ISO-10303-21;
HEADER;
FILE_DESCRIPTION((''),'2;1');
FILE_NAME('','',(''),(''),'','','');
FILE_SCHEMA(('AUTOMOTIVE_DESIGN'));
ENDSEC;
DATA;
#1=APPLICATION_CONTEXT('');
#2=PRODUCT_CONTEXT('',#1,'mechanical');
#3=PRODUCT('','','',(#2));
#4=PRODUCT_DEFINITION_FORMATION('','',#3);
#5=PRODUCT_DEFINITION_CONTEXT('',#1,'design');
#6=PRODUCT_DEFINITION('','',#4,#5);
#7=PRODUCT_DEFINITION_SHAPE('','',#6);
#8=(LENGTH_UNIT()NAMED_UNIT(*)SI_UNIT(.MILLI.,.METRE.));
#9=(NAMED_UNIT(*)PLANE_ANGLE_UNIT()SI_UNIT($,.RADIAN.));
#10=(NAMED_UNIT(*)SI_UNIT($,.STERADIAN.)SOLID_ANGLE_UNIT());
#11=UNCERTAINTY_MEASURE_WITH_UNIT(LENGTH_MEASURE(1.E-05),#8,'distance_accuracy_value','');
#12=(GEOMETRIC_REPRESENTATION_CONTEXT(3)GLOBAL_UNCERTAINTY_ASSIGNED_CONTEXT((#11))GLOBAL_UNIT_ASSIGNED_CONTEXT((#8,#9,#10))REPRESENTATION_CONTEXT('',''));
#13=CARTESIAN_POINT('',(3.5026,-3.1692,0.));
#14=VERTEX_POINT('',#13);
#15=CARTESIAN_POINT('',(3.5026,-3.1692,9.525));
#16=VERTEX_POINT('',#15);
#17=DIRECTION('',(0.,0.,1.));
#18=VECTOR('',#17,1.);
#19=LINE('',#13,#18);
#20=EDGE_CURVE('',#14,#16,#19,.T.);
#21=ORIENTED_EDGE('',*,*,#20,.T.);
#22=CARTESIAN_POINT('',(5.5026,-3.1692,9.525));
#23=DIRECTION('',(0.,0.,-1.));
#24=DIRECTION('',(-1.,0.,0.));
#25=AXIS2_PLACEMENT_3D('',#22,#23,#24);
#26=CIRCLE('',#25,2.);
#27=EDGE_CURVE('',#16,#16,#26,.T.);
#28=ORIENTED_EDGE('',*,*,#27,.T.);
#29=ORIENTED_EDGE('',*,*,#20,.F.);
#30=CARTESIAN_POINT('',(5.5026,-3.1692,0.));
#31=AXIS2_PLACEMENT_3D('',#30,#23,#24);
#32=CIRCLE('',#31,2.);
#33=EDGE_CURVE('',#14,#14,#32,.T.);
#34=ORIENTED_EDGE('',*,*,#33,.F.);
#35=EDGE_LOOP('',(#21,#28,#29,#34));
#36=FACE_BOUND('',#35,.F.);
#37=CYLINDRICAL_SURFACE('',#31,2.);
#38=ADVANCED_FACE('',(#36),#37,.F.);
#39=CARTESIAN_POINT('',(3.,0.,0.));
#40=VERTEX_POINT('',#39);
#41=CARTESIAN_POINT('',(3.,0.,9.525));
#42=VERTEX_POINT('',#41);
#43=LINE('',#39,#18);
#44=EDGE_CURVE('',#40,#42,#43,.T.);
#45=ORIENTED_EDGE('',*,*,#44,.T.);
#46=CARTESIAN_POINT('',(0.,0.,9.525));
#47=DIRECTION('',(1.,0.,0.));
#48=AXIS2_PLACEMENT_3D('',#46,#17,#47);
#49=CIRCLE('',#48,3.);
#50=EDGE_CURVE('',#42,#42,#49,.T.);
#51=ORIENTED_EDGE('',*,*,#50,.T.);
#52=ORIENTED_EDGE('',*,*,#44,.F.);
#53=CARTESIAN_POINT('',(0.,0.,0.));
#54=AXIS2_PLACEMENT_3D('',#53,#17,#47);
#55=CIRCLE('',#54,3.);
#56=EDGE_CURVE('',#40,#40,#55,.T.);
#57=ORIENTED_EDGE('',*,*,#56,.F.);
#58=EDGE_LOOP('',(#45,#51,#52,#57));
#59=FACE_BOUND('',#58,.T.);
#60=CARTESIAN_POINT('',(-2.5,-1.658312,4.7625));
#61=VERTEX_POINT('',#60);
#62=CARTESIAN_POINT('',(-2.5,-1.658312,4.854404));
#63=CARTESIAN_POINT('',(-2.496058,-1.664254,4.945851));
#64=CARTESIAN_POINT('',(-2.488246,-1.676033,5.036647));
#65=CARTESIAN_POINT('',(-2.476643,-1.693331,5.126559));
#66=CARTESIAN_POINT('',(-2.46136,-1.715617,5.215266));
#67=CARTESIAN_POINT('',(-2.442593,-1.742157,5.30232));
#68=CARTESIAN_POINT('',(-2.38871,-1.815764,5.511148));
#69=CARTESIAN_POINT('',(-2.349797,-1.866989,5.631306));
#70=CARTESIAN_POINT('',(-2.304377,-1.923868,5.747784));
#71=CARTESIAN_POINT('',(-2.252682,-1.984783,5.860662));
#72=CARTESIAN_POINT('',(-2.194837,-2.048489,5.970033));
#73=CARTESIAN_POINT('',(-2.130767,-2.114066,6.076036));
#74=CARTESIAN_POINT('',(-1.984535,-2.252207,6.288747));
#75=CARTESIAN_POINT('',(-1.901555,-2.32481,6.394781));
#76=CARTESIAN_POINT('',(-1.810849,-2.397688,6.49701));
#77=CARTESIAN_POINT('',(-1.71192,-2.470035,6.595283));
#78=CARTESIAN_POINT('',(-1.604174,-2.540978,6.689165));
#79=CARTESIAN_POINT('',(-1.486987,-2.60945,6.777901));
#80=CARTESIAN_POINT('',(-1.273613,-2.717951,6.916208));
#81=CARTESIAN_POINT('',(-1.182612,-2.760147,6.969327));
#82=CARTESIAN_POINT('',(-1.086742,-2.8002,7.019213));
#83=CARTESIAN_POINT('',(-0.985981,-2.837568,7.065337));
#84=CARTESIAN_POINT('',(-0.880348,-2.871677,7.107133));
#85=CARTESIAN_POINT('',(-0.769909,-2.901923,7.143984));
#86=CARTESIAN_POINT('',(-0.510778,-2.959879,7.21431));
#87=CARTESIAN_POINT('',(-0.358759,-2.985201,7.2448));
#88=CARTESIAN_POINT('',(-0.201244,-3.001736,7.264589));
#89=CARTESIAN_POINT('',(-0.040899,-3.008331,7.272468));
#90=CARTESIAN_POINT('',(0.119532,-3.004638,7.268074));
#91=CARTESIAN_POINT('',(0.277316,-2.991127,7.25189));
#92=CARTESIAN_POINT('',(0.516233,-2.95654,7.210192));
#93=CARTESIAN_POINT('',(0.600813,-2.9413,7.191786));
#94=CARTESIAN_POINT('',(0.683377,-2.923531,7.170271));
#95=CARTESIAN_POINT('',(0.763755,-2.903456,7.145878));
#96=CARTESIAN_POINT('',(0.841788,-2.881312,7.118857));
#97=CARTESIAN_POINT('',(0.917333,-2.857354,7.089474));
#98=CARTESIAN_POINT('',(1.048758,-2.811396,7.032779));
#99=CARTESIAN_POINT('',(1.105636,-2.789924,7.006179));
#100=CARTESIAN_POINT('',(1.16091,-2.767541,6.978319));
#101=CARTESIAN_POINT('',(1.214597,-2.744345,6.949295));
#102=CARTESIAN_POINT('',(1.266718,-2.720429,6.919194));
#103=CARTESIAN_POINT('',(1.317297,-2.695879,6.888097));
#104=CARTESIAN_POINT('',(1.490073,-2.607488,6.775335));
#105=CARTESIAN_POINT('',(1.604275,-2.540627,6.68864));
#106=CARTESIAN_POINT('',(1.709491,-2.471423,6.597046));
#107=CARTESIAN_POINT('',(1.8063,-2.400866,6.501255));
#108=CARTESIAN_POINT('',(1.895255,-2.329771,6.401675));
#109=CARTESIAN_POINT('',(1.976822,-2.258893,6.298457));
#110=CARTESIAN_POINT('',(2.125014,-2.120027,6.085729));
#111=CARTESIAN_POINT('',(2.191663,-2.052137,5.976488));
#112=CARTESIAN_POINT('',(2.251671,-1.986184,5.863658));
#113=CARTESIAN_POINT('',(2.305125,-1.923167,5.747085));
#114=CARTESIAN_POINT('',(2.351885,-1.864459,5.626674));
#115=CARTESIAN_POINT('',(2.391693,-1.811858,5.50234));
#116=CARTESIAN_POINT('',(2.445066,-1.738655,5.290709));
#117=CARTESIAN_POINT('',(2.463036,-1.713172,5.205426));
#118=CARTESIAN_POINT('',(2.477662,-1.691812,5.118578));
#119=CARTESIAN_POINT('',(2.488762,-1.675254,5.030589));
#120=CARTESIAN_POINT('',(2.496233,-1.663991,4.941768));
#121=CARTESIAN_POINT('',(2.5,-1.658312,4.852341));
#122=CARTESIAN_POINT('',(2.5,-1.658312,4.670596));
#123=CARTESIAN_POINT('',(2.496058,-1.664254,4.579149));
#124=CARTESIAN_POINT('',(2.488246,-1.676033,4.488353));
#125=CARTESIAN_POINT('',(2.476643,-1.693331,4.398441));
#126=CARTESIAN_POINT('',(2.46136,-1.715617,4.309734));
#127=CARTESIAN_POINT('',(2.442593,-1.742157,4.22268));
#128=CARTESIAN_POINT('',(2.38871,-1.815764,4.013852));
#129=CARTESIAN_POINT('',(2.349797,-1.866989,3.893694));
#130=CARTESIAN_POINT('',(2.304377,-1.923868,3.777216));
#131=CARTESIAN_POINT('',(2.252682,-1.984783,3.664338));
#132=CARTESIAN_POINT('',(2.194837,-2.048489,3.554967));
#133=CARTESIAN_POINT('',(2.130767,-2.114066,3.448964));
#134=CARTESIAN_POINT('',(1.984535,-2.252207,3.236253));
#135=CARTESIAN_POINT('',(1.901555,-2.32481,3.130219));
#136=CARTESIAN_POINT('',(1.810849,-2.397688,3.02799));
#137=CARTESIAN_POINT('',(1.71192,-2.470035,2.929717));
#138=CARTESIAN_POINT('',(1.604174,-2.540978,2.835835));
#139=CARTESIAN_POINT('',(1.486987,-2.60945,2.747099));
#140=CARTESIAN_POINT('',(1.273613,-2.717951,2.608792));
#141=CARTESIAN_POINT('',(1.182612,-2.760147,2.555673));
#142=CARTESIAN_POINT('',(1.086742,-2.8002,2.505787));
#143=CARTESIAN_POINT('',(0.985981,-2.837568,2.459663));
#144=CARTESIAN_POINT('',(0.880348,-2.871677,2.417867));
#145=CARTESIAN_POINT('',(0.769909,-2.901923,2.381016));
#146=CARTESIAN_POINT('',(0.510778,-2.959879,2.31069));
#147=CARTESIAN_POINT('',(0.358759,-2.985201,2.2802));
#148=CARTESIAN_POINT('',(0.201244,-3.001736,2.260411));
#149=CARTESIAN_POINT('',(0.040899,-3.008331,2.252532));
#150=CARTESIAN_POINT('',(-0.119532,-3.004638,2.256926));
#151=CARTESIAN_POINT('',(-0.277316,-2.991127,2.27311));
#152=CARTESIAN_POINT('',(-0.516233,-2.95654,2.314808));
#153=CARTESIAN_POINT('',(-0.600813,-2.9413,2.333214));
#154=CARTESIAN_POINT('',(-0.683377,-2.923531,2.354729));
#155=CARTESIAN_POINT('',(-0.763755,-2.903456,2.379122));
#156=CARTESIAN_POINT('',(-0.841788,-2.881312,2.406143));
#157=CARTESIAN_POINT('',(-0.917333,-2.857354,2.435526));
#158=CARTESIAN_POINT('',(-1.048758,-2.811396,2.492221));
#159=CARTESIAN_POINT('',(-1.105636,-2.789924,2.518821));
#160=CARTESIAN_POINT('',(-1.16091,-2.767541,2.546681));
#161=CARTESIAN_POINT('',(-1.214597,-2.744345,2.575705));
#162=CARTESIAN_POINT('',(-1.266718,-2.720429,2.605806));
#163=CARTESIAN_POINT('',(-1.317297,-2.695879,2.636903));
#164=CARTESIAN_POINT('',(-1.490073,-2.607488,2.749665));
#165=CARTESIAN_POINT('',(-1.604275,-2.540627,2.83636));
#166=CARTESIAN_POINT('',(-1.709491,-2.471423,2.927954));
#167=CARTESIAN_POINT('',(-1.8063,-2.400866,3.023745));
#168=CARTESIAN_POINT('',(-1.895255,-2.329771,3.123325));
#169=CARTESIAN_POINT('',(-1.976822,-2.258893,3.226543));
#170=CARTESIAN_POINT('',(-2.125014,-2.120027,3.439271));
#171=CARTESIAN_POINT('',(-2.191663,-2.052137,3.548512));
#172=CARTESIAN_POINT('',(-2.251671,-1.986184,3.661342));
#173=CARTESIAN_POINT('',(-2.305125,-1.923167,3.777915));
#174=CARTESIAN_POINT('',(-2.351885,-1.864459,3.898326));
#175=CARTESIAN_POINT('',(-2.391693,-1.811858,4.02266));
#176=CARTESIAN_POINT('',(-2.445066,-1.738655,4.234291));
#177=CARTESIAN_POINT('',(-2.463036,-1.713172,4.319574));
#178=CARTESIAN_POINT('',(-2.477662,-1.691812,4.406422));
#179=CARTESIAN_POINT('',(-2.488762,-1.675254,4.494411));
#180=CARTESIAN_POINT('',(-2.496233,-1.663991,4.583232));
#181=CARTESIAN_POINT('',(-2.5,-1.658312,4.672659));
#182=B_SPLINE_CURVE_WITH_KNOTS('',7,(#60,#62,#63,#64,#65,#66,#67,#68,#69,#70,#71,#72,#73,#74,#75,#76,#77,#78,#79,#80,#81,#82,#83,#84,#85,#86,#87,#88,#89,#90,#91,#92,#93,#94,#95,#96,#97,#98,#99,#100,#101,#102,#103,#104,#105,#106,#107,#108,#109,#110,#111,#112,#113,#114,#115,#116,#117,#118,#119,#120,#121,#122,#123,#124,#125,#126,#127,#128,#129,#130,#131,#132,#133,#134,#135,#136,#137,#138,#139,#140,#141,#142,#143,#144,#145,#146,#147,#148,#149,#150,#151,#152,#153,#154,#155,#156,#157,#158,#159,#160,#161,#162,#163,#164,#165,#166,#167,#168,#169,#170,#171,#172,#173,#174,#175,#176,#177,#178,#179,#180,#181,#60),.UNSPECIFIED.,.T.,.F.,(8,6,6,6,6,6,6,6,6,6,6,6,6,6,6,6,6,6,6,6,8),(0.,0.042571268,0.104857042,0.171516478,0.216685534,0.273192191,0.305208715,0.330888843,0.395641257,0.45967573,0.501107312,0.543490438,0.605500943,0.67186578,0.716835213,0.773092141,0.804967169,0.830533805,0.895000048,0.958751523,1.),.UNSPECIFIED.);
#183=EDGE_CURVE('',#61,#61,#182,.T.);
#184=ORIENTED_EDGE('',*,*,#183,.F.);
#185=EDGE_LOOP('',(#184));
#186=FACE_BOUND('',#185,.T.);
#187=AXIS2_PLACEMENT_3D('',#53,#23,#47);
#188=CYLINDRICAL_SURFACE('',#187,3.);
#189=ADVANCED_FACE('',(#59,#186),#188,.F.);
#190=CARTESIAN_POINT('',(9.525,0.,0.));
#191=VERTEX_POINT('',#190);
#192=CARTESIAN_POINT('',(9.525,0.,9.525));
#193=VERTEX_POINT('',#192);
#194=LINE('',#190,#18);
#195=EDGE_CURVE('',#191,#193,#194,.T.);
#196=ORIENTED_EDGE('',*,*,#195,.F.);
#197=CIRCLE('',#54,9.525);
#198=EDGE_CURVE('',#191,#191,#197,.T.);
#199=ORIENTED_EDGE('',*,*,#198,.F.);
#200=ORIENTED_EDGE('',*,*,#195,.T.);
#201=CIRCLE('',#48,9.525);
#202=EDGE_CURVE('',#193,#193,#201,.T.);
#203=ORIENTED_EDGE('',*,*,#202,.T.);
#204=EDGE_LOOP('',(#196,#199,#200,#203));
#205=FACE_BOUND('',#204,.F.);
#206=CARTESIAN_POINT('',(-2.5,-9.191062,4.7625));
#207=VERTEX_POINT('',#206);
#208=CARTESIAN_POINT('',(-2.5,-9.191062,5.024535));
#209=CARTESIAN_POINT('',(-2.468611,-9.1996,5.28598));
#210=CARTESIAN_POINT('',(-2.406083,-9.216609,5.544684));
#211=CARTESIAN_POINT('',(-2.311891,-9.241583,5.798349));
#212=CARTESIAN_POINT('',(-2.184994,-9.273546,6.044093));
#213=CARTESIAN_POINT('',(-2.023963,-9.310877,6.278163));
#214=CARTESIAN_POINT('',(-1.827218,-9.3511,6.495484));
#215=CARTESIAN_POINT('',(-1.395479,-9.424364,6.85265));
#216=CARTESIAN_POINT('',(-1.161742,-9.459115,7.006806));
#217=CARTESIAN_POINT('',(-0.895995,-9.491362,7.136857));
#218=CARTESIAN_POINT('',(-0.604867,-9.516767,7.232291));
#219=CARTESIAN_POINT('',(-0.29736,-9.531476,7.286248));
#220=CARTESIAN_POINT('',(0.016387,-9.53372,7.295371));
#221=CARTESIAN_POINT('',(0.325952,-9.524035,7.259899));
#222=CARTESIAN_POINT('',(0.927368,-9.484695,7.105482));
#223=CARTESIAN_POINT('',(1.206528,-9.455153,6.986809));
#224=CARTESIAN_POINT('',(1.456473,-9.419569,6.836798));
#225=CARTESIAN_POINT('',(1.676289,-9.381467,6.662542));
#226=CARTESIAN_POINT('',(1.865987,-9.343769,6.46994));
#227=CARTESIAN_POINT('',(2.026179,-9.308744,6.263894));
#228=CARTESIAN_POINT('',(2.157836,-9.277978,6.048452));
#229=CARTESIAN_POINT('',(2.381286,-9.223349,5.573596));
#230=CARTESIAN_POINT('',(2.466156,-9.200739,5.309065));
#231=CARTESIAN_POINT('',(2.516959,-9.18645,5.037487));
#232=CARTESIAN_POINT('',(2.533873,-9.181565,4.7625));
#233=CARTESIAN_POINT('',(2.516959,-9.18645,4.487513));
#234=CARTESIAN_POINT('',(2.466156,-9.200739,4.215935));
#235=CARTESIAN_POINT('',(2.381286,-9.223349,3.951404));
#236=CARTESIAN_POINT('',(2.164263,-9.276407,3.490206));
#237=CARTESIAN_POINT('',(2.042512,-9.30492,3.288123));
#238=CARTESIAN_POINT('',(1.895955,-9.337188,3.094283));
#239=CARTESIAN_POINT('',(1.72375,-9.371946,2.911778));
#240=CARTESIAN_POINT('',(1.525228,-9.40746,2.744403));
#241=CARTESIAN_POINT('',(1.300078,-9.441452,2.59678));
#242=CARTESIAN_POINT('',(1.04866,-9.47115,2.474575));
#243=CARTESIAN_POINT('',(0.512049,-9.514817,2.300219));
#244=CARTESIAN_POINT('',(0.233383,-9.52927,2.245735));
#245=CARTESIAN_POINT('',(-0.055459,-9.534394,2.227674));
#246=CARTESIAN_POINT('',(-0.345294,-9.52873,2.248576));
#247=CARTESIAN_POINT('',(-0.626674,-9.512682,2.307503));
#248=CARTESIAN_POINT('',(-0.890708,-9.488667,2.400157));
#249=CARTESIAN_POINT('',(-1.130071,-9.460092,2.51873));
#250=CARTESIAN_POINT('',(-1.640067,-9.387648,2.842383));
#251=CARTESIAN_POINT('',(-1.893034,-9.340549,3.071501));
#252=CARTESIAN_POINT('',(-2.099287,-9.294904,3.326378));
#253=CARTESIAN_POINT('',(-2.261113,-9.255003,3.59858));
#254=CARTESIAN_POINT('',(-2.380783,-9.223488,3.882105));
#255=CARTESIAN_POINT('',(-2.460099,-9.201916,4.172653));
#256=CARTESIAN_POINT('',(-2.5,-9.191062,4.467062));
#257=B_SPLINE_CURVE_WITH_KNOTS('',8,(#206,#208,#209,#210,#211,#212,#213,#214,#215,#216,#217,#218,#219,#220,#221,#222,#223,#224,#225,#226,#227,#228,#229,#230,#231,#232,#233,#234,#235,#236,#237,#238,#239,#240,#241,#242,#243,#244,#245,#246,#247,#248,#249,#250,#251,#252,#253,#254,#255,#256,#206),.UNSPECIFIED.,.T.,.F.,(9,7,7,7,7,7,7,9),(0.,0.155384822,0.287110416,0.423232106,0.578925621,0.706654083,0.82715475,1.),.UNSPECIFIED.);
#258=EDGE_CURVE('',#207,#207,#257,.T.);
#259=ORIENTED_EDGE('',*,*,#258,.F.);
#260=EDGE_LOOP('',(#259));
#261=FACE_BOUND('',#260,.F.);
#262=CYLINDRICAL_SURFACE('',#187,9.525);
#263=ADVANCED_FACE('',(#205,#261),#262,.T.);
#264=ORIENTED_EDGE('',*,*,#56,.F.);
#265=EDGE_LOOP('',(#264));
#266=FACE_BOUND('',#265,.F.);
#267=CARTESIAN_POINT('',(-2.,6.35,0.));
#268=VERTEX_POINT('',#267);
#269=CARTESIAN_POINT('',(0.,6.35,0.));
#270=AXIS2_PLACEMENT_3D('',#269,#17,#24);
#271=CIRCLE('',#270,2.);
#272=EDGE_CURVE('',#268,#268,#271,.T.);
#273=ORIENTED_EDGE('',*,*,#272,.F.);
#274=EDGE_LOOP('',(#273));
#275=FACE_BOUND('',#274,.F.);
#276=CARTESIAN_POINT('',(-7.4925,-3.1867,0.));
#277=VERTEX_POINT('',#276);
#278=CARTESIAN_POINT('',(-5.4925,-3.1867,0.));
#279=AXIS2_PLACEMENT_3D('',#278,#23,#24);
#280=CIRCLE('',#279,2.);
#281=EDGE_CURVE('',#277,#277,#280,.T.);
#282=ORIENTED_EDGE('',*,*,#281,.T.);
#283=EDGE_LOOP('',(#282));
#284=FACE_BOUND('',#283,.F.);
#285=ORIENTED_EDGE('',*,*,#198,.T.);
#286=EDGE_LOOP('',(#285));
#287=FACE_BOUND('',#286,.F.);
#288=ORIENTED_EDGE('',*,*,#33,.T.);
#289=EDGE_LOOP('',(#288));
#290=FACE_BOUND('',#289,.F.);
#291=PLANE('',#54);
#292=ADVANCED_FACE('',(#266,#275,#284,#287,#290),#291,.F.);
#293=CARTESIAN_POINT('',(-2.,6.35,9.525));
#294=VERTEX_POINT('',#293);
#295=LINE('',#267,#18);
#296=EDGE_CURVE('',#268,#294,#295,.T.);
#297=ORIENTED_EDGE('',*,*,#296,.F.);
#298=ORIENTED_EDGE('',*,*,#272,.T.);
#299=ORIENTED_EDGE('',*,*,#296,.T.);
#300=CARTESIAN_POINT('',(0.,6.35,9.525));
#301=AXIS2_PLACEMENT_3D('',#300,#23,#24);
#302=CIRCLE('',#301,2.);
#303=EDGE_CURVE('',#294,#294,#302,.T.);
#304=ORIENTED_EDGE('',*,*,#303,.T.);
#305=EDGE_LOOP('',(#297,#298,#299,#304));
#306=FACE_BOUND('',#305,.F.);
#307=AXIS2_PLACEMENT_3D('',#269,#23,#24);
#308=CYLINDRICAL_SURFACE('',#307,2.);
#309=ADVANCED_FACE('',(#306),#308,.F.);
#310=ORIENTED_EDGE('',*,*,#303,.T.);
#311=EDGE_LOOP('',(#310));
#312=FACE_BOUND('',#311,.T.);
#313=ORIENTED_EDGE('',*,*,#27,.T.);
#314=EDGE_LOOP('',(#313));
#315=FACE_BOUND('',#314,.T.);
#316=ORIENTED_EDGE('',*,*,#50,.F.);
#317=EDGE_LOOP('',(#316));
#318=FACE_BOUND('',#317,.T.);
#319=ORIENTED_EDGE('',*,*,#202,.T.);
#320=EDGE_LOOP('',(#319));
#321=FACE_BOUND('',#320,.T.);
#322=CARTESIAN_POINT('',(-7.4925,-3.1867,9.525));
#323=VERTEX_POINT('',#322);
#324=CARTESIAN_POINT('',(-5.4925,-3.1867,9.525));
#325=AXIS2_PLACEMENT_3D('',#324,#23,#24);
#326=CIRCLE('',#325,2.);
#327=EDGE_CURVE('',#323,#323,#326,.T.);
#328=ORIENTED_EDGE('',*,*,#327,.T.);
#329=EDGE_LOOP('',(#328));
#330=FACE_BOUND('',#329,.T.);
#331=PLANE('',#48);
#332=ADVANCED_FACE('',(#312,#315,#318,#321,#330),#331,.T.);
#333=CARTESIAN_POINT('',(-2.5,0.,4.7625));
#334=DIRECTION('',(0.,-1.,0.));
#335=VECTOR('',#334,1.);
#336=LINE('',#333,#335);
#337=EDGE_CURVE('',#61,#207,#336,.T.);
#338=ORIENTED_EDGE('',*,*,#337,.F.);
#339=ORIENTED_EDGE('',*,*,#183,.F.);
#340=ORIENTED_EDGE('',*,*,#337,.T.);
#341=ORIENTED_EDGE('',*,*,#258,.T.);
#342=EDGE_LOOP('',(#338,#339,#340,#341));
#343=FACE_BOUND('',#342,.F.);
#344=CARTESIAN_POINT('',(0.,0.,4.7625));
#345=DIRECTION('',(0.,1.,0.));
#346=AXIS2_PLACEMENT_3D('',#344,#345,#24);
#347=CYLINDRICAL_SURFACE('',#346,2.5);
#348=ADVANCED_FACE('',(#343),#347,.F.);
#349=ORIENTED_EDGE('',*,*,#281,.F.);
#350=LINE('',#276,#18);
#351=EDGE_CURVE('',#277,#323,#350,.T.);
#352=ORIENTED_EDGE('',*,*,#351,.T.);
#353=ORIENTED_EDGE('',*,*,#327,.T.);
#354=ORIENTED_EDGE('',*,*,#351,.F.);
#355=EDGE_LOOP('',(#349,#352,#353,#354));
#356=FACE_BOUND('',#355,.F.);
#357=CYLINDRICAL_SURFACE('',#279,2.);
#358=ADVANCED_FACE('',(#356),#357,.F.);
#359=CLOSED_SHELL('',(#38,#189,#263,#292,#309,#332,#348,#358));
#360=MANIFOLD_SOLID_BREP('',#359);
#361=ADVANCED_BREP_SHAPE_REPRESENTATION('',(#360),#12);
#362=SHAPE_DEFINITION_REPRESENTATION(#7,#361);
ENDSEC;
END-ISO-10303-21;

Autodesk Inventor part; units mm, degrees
ref_plane "YZ Plane" through (0, 0, 0) normal (1, 0, 0) x (0, 1, 0)
ref_plane "XZ Plane" through (0, 0, 0) normal (0, 1, 0) x (-1, 0, 0)
ref_plane "XY Plane" through (0, 0, 0) normal (0, 0, 1) x (1, 0, 0)
sketch "Sketch3" plane through (0, 0, 0) normal (0, 0, 1) x (1, 0, 0)
  circle A0 centre (0, 0) radius 9.525
  circle A1 centre (0, 0) radius 3
  circle A2 centre (6.2, 0) radius 1.5
  circle A3 centre (3.1, 5.3694) radius 1.5
  circle A4 centre (-3.1, 5.3694) radius 1.5
  circle A5 centre (-6.2, 0) radius 1.5
  circle A6 centre (-3.1, -5.3694) radius 1.5
  circle A7 centre (3.1, -5.3694) radius 1.5
  dimension "d0" = 19.05
  dimension "d1" = 6
  dimension "d4" = 3
  dimension "d5" = 6.2
  dimension "d12" = 360
extrude "Extrusion1" add sketch "Sketch3" along normal blind 9.525 contours A0 | A2 | A3 | A4 | A5 | A6 | A7
sketch "Sketch7" plane through (0, 0, 0) normal (0, 1, 0) x (-1, 0, 0)
  circle A0 centre (0, 4.7625) radius 2.5
  line L0 (-9.525, 0) -> (-9.525, 9.525) projected
  point P0 (0, 0)
  point P1 (-9.525, 4.7625)
  dimension "d42" = 5
extrude "Extrusion5" cut sketch "Sketch7" against normal through all
sketch "Sketch8" plane through (0, 0, 0) normal (0, 0, -1) x (-1, 0, 0)
  circle A0 centre (0, 6.35) radius 2
  circle A1 centre (-5.5026, -3.1692) radius 2
  circle A2 centre (5.4925, -3.1867) radius 2
  circle A3 centre (0.0202, 6.35) radius 2
  point P0 (0, 0)
  dimension "d45" = 4
  dimension "d46" = 6.35
  dimension "d49" = 359.817
extrude "Extrusion6" cut sketch "Sketch8" against normal through all contours A0 A3 | A3 A0 | A1 | A2 picked at (-0.6435, 6.35) picked at (-1.9787, 6.4301)
properties part number "6mm Mounting Hub, thin" material "Aluminum 6061"
